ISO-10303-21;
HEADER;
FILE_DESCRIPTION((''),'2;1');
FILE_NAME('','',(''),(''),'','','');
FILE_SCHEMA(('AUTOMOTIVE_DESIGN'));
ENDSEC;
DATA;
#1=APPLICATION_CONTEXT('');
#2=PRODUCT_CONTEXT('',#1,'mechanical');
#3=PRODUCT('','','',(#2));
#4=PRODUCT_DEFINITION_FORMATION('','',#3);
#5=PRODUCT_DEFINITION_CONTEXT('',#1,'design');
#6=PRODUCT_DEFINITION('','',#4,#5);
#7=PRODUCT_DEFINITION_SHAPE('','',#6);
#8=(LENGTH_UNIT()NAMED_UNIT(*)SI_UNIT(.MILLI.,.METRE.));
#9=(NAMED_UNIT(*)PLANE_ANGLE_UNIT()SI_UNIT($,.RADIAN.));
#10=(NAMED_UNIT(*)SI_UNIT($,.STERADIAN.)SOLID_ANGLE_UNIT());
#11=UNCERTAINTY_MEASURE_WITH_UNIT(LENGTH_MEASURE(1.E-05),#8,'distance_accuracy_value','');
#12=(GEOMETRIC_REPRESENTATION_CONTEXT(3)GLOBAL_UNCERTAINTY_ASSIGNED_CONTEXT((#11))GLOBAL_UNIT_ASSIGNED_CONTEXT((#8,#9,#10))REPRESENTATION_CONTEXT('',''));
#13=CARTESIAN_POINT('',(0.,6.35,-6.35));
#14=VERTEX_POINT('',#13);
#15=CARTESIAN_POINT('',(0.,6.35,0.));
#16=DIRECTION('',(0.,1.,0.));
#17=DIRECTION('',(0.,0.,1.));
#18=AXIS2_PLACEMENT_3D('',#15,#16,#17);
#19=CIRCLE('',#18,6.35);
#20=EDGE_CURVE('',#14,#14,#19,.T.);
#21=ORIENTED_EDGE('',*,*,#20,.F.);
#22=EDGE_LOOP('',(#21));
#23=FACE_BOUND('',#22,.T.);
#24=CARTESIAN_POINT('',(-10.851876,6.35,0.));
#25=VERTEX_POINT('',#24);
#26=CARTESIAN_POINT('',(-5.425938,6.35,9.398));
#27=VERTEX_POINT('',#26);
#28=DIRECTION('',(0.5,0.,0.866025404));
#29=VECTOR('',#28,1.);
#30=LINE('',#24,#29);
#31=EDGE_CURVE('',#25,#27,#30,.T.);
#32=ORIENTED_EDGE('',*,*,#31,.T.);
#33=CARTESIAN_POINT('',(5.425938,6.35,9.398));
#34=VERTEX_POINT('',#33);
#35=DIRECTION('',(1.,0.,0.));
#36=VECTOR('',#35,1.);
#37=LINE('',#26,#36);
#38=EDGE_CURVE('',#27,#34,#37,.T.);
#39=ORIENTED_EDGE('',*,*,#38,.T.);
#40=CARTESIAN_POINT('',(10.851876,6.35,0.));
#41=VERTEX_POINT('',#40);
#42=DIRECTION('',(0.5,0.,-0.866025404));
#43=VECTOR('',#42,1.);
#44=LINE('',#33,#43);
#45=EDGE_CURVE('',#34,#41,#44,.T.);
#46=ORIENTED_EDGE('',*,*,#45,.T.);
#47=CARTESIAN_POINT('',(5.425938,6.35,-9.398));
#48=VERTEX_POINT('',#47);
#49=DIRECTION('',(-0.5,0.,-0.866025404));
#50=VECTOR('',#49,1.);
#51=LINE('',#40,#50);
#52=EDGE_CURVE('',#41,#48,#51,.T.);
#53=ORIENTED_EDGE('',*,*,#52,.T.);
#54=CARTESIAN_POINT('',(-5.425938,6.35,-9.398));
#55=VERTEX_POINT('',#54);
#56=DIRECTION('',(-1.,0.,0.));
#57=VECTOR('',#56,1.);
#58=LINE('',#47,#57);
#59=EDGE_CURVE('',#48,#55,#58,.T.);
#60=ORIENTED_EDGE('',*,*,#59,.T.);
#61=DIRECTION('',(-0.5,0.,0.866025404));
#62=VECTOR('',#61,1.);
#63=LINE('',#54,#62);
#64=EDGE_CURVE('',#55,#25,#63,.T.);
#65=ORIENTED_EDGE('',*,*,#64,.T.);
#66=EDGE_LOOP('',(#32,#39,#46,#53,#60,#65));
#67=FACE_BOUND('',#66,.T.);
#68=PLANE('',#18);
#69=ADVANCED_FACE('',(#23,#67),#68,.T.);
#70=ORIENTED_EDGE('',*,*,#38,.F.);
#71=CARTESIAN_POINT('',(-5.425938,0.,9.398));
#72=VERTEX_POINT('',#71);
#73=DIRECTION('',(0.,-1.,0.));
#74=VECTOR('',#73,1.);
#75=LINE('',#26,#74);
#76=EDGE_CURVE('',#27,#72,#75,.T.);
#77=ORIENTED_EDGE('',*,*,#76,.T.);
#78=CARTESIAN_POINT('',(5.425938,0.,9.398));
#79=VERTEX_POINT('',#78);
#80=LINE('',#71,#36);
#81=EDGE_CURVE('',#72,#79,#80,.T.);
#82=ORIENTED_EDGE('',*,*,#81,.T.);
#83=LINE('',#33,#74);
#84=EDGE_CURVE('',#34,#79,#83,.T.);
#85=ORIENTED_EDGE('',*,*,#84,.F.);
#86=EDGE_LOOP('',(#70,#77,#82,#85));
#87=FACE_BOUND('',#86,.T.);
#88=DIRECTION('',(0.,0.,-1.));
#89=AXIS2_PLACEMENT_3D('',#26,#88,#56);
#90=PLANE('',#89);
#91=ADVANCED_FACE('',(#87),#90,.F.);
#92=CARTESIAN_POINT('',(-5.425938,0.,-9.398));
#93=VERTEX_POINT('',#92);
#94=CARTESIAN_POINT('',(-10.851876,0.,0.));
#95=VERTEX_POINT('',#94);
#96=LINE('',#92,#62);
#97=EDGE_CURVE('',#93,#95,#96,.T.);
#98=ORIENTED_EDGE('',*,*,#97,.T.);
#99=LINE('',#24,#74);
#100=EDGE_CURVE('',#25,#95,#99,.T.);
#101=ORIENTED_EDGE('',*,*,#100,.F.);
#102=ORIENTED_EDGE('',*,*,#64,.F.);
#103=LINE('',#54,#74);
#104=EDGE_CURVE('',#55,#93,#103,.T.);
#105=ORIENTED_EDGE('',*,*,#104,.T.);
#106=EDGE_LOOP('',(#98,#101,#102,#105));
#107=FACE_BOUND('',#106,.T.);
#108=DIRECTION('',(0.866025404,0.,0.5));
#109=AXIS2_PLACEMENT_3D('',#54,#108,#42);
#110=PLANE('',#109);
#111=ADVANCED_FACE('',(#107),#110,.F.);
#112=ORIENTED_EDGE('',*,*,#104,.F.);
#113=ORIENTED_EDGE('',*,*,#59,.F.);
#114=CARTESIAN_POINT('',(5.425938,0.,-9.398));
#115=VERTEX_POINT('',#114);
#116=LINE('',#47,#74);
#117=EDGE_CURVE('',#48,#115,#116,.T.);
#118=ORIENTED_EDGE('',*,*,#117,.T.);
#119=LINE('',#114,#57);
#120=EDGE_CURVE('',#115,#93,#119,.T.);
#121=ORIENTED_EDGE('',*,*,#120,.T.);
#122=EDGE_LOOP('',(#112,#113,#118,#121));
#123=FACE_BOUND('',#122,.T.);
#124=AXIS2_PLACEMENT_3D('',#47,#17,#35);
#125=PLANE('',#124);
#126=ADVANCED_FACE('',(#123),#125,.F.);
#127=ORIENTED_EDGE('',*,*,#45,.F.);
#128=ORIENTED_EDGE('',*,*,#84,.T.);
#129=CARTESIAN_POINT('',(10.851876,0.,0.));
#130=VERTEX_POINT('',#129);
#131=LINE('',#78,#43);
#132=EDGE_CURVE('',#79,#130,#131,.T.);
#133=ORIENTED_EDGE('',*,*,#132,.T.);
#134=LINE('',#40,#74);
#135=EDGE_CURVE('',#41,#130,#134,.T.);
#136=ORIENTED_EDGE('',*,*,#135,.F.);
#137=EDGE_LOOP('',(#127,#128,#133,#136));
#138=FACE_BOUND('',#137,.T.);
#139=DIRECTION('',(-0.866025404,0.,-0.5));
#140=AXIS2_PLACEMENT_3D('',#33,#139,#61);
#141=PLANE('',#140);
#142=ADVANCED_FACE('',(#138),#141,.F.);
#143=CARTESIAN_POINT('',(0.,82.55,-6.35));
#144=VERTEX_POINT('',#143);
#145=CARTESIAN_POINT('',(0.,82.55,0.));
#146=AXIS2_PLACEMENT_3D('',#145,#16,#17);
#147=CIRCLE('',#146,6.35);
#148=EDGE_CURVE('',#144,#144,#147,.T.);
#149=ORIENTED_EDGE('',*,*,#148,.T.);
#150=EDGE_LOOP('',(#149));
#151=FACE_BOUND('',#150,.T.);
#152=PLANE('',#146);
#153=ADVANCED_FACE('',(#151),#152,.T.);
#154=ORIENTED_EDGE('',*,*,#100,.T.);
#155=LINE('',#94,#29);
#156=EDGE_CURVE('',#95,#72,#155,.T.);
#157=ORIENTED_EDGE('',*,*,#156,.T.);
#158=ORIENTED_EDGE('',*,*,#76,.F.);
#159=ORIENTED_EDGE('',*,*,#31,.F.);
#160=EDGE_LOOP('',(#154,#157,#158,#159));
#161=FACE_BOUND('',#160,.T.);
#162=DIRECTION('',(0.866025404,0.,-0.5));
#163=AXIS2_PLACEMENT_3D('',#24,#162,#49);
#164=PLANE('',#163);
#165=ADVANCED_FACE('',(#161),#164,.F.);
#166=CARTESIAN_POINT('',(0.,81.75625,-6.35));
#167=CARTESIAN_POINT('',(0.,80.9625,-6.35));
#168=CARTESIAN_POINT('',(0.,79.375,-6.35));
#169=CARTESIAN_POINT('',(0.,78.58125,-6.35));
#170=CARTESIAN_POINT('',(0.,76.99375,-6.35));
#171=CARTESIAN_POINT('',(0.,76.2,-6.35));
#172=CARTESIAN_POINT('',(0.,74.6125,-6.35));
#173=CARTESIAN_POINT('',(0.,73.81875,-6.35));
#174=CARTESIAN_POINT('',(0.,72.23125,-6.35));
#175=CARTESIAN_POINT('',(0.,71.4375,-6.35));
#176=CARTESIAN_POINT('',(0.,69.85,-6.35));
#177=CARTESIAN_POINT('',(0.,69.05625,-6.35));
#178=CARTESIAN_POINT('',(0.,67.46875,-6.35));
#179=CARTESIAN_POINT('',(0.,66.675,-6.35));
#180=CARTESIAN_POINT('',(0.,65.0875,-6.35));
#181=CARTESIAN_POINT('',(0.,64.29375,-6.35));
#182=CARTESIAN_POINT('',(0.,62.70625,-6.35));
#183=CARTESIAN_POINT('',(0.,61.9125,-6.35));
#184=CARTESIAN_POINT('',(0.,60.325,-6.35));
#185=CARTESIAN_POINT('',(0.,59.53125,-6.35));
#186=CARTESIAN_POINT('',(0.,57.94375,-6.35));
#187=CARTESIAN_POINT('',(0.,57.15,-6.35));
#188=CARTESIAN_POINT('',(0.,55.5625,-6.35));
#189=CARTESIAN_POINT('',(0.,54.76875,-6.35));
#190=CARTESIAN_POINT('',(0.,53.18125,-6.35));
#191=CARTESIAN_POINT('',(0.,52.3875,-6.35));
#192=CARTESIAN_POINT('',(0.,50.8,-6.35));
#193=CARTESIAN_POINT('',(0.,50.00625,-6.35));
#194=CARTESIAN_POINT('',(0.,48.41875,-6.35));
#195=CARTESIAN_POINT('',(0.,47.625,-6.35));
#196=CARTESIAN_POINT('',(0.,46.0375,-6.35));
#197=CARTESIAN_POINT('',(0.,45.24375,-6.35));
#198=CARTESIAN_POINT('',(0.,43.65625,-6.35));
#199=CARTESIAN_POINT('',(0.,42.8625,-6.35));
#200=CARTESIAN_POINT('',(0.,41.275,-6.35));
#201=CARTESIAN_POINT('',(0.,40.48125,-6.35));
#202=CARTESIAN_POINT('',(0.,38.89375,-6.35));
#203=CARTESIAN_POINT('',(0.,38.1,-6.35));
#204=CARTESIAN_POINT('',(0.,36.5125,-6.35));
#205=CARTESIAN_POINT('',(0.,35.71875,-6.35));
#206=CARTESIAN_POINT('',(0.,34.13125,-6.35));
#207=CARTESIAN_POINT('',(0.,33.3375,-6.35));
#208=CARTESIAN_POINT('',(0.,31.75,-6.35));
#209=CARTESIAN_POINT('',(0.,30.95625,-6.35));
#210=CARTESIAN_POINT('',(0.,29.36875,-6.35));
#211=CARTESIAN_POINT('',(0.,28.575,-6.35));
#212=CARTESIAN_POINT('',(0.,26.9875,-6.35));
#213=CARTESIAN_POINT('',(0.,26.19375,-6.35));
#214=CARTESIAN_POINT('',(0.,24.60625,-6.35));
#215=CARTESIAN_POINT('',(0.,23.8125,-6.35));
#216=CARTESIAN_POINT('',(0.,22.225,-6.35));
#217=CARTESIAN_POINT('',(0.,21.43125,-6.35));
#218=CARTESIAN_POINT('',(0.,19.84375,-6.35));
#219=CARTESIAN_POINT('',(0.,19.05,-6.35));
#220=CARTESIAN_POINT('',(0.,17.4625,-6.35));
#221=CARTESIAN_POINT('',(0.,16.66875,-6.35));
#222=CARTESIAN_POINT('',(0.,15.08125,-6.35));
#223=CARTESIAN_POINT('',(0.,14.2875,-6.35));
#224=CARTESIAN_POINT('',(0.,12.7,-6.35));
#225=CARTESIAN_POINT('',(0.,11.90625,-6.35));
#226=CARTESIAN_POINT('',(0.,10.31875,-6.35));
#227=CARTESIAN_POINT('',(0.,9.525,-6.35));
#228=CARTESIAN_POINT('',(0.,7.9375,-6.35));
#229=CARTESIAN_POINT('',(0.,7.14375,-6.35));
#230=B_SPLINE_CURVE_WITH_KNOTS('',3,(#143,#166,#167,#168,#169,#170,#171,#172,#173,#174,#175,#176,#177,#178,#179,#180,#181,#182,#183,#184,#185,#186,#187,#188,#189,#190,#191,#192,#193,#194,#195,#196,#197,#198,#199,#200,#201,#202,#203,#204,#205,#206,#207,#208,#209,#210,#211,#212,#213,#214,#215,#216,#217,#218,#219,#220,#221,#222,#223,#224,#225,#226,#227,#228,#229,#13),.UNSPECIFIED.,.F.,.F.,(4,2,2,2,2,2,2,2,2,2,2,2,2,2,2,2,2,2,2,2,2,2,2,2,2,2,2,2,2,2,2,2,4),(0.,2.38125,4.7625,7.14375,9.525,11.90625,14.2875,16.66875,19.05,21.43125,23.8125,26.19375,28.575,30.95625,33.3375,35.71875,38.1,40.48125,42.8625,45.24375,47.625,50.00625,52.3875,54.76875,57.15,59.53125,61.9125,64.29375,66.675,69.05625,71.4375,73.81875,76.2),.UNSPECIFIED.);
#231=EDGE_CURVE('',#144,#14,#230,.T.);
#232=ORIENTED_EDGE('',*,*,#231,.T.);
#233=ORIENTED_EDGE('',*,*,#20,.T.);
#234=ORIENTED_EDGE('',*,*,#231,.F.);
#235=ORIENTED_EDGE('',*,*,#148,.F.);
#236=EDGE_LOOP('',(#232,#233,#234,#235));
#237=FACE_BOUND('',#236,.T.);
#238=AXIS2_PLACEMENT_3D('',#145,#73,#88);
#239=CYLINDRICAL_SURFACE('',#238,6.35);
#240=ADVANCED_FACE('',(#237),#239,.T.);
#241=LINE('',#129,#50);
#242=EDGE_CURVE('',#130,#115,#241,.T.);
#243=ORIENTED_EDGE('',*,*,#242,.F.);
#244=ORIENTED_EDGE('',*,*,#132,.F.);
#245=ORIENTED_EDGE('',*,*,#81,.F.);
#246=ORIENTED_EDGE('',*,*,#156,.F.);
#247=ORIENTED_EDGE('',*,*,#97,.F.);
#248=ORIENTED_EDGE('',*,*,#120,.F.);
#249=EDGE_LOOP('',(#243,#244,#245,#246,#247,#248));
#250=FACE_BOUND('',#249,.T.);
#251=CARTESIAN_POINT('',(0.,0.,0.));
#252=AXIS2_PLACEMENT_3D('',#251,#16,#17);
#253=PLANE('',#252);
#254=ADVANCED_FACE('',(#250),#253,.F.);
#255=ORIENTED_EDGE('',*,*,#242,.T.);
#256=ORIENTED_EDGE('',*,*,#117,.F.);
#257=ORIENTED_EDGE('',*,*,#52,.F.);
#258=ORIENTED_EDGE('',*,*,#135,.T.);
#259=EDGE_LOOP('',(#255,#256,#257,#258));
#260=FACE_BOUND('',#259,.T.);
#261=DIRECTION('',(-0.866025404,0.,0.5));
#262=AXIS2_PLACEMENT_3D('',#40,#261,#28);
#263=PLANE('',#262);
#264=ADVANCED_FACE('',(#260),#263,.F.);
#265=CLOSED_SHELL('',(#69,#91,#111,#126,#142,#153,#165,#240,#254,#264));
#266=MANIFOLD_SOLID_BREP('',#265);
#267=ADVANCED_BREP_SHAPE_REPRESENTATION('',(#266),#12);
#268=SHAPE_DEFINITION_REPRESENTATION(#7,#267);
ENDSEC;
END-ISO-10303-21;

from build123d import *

# Parameters (mm, degrees)
BOSS_EXTRUDE1_DEPTH = 6.35
SKETCH2_R           = 6.35
BOSS_EXTRUDE2_DEPTH = 76.2


with BuildPart() as part:
    # Sketch1 → Boss-Extrude1 (new body)
    with BuildSketch(Plane(origin=(0, 0, 0), x_dir=(1, 0, 0), z_dir=(0, 1, 0))):
        Polygon((5.42593783, -9.398), (10.85187566, 0), (5.42593783, 9.398), (-5.42593783, 9.398), (-10.85187566, 0), (-5.42593783, -9.398), align=None)
    extrude(amount=BOSS_EXTRUDE1_DEPTH)

    # Sketch2 → Boss-Extrude2 (add)
    with BuildSketch(Plane(origin=(0, 6.35, 0), x_dir=(1, 0, 0), z_dir=(0, 1, 0))):
        with Locations(Location((0, 0, 0), (0, 0, 90))):
            Circle(SKETCH2_R)
    extrude(amount=BOSS_EXTRUDE2_DEPTH)


solid = part.part
